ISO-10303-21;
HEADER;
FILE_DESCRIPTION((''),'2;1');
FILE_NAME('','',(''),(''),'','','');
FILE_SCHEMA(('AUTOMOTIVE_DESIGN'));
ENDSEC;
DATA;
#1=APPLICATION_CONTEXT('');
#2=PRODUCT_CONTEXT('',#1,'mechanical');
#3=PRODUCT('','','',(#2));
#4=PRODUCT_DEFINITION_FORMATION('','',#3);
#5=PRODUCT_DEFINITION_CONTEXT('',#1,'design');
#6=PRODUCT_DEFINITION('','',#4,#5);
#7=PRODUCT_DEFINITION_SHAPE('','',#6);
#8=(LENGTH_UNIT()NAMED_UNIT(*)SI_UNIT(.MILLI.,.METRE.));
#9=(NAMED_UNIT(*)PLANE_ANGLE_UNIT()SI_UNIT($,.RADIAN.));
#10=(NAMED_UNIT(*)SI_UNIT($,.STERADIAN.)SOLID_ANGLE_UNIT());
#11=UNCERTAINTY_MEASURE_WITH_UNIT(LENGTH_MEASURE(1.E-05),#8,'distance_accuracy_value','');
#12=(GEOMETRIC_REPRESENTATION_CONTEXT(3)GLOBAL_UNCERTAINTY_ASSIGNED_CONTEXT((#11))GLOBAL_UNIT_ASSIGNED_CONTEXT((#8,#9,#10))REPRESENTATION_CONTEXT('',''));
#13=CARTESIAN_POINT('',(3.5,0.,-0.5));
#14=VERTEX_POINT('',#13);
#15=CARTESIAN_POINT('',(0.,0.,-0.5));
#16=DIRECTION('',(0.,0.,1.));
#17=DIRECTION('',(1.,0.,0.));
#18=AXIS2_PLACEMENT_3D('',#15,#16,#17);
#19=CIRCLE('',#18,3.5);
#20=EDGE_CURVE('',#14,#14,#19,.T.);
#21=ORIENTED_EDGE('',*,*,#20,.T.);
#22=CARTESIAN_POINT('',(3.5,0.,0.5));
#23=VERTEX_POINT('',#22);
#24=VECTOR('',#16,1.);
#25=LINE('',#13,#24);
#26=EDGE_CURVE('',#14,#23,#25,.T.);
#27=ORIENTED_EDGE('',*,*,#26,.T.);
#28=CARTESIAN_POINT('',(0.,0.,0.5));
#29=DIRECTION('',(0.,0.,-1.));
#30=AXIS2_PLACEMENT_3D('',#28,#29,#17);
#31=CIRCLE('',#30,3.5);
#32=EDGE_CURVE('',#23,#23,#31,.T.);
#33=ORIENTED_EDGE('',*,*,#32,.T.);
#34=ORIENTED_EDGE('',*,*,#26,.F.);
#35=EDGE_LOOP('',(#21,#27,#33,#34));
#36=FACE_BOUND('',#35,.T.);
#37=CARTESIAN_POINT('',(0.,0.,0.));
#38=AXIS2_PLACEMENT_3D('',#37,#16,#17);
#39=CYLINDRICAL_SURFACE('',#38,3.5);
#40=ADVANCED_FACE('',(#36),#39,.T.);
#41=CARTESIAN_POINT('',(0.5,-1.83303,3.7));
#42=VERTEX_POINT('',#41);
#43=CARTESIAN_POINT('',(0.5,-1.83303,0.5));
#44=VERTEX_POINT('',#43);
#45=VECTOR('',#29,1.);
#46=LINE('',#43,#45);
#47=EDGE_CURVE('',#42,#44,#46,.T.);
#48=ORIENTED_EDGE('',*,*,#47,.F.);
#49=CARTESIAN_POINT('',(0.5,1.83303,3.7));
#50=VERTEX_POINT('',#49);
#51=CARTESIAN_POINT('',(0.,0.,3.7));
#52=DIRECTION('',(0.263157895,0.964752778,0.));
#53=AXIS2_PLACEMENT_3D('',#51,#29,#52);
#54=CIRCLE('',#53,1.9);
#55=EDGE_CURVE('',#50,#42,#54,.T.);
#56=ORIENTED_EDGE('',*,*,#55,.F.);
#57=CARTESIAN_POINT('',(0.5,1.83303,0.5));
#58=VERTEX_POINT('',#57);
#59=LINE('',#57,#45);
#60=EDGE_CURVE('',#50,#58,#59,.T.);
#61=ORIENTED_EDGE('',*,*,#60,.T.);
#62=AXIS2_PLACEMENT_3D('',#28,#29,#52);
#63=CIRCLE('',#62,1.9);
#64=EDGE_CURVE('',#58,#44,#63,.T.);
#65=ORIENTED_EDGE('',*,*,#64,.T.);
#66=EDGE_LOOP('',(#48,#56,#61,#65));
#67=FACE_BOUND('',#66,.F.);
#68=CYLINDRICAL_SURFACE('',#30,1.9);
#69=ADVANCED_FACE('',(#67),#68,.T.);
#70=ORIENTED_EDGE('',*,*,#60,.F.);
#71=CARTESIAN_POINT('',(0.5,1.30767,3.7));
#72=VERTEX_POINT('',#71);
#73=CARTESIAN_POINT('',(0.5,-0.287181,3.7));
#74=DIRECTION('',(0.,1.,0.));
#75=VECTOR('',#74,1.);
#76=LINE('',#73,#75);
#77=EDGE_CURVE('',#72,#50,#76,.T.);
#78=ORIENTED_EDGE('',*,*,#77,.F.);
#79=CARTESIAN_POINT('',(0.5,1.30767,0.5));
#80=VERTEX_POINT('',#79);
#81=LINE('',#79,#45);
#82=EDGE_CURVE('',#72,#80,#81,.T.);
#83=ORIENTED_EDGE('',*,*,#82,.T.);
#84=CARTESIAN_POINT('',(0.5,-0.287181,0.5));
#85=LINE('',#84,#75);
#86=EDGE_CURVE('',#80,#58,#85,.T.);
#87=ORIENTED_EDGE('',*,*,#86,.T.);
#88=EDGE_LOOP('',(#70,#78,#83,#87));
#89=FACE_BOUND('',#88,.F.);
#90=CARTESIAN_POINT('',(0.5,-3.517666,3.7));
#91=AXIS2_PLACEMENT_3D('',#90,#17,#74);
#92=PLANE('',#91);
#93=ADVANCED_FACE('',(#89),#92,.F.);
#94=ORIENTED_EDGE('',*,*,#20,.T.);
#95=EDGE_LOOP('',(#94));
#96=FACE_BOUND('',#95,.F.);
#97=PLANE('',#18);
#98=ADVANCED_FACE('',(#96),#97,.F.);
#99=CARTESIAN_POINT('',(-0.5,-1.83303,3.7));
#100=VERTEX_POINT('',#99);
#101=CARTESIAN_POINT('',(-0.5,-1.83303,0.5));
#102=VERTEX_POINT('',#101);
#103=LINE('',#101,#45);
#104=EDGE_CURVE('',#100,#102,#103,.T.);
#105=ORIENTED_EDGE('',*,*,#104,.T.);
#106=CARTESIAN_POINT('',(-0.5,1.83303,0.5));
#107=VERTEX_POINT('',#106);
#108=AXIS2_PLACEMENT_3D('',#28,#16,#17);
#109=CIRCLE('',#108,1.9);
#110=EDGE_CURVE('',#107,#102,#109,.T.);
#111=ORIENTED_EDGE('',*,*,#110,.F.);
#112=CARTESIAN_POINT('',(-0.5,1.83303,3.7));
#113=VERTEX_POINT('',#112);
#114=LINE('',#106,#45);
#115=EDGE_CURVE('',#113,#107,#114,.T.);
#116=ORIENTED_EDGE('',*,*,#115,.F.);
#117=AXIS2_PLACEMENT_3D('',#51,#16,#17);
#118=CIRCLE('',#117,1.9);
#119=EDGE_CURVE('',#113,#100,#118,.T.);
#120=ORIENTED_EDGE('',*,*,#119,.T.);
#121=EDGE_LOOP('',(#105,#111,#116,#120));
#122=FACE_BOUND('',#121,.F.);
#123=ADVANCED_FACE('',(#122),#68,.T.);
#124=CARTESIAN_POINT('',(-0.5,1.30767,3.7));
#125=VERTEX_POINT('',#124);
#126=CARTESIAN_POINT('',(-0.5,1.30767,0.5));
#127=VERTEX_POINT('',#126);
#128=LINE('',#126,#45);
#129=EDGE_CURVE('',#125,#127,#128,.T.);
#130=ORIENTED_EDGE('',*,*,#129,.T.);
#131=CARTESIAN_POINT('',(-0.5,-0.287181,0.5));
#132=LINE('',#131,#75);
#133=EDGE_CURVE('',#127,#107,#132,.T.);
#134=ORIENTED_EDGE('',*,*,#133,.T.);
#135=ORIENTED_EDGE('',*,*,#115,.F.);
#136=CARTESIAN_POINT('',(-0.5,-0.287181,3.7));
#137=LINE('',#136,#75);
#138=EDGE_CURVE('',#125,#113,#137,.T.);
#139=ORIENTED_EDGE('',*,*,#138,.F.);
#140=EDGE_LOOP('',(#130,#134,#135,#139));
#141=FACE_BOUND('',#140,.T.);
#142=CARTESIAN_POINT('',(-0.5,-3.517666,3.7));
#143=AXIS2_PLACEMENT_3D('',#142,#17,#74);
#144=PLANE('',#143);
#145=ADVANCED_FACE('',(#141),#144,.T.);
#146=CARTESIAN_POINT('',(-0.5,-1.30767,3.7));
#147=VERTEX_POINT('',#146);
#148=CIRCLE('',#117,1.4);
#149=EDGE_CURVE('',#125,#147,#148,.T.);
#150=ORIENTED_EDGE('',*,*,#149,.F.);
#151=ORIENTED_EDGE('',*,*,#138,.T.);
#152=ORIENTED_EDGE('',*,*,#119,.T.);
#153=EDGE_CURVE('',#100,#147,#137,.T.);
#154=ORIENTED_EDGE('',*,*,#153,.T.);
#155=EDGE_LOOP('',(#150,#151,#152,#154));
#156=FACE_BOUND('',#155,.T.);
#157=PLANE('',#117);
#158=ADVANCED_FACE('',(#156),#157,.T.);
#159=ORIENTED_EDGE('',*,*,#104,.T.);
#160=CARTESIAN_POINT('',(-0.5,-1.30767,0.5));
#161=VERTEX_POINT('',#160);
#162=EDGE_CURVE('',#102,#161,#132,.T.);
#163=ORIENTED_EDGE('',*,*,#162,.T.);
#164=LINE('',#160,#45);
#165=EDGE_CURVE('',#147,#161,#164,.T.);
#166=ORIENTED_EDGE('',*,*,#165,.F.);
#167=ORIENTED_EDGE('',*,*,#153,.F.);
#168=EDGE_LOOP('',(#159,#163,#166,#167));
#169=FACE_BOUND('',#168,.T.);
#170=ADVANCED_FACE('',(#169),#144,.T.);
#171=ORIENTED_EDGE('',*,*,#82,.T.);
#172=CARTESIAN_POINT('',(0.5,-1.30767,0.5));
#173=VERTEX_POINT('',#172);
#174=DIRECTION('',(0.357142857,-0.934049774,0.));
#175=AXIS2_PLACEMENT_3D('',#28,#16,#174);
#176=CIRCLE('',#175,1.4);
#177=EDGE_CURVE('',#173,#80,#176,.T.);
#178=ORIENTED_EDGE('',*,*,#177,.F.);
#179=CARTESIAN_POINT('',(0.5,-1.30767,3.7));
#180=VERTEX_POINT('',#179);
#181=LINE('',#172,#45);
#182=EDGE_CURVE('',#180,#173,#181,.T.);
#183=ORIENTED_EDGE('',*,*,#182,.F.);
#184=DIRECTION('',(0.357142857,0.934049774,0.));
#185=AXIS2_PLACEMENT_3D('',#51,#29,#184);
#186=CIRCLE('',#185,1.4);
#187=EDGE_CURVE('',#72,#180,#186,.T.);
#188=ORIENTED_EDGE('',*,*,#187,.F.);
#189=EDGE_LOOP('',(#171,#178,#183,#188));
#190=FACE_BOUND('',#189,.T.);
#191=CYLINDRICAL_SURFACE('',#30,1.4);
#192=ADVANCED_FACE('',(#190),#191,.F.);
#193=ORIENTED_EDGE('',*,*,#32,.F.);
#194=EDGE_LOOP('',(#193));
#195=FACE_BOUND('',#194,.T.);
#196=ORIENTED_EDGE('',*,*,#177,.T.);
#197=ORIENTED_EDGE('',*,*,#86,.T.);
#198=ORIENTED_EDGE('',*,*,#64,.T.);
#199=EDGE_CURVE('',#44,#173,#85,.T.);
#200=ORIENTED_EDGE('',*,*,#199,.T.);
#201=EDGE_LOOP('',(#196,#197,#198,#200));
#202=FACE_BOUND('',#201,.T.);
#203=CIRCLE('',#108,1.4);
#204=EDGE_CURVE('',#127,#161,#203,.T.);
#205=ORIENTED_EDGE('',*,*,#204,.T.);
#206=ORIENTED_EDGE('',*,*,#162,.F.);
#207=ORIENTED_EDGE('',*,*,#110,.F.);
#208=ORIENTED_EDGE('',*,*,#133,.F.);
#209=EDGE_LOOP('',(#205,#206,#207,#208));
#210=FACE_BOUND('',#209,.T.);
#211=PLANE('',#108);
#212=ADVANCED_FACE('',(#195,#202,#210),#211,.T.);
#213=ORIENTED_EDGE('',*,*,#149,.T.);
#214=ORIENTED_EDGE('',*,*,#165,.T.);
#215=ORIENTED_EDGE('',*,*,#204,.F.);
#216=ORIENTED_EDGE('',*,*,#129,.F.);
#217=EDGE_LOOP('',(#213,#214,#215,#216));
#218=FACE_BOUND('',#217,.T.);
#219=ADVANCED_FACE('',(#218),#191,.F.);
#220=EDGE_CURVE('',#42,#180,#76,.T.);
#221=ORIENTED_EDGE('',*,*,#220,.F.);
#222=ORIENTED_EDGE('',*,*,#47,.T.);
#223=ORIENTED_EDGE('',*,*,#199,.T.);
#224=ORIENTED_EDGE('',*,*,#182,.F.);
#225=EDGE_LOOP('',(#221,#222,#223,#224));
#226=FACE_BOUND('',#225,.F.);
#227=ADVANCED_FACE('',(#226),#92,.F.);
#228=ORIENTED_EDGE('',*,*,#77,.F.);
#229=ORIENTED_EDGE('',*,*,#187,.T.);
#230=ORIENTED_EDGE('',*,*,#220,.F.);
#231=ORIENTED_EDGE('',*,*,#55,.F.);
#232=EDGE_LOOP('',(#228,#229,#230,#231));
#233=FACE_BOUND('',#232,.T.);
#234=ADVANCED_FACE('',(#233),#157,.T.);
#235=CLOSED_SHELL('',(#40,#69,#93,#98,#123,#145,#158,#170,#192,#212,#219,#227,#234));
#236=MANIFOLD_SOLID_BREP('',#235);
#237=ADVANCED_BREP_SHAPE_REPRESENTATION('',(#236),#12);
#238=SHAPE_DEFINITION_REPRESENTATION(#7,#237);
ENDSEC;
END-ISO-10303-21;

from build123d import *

# Parameters (mm, degrees)
F0_R     = 3.5
F1_DEPTH = 0.5
F2_R     = 1.9
F2_R_2   = 1.4
F3_DEPTH = 3.2
F4_W     = 1
F4_H     = 6.460969
F5_DEPTH = 3.2


with BuildPart() as f1:
    # F0 (on Top) → F1 (new body, symmetric)
    with BuildSketch(Plane.XY):
        Circle(F0_R)
    extrude(amount=F1_DEPTH, both=True)

    # F2 (on face) → F3 (join)
    with BuildSketch(Plane.XY.offset(0.5)):
        Circle(F2_R)
        Circle(F2_R_2, mode=Mode.SUBTRACT)
    extrude(amount=F3_DEPTH)

    # F4 (on face) → F5 (cut, through all)
    with BuildSketch(Plane.XY.offset(3.7)):
        with Locations((0, -0.287181)):
            Rectangle(F4_W, F4_H)
    extrude(amount=-F5_DEPTH, mode=Mode.SUBTRACT)


solid = f1.part
